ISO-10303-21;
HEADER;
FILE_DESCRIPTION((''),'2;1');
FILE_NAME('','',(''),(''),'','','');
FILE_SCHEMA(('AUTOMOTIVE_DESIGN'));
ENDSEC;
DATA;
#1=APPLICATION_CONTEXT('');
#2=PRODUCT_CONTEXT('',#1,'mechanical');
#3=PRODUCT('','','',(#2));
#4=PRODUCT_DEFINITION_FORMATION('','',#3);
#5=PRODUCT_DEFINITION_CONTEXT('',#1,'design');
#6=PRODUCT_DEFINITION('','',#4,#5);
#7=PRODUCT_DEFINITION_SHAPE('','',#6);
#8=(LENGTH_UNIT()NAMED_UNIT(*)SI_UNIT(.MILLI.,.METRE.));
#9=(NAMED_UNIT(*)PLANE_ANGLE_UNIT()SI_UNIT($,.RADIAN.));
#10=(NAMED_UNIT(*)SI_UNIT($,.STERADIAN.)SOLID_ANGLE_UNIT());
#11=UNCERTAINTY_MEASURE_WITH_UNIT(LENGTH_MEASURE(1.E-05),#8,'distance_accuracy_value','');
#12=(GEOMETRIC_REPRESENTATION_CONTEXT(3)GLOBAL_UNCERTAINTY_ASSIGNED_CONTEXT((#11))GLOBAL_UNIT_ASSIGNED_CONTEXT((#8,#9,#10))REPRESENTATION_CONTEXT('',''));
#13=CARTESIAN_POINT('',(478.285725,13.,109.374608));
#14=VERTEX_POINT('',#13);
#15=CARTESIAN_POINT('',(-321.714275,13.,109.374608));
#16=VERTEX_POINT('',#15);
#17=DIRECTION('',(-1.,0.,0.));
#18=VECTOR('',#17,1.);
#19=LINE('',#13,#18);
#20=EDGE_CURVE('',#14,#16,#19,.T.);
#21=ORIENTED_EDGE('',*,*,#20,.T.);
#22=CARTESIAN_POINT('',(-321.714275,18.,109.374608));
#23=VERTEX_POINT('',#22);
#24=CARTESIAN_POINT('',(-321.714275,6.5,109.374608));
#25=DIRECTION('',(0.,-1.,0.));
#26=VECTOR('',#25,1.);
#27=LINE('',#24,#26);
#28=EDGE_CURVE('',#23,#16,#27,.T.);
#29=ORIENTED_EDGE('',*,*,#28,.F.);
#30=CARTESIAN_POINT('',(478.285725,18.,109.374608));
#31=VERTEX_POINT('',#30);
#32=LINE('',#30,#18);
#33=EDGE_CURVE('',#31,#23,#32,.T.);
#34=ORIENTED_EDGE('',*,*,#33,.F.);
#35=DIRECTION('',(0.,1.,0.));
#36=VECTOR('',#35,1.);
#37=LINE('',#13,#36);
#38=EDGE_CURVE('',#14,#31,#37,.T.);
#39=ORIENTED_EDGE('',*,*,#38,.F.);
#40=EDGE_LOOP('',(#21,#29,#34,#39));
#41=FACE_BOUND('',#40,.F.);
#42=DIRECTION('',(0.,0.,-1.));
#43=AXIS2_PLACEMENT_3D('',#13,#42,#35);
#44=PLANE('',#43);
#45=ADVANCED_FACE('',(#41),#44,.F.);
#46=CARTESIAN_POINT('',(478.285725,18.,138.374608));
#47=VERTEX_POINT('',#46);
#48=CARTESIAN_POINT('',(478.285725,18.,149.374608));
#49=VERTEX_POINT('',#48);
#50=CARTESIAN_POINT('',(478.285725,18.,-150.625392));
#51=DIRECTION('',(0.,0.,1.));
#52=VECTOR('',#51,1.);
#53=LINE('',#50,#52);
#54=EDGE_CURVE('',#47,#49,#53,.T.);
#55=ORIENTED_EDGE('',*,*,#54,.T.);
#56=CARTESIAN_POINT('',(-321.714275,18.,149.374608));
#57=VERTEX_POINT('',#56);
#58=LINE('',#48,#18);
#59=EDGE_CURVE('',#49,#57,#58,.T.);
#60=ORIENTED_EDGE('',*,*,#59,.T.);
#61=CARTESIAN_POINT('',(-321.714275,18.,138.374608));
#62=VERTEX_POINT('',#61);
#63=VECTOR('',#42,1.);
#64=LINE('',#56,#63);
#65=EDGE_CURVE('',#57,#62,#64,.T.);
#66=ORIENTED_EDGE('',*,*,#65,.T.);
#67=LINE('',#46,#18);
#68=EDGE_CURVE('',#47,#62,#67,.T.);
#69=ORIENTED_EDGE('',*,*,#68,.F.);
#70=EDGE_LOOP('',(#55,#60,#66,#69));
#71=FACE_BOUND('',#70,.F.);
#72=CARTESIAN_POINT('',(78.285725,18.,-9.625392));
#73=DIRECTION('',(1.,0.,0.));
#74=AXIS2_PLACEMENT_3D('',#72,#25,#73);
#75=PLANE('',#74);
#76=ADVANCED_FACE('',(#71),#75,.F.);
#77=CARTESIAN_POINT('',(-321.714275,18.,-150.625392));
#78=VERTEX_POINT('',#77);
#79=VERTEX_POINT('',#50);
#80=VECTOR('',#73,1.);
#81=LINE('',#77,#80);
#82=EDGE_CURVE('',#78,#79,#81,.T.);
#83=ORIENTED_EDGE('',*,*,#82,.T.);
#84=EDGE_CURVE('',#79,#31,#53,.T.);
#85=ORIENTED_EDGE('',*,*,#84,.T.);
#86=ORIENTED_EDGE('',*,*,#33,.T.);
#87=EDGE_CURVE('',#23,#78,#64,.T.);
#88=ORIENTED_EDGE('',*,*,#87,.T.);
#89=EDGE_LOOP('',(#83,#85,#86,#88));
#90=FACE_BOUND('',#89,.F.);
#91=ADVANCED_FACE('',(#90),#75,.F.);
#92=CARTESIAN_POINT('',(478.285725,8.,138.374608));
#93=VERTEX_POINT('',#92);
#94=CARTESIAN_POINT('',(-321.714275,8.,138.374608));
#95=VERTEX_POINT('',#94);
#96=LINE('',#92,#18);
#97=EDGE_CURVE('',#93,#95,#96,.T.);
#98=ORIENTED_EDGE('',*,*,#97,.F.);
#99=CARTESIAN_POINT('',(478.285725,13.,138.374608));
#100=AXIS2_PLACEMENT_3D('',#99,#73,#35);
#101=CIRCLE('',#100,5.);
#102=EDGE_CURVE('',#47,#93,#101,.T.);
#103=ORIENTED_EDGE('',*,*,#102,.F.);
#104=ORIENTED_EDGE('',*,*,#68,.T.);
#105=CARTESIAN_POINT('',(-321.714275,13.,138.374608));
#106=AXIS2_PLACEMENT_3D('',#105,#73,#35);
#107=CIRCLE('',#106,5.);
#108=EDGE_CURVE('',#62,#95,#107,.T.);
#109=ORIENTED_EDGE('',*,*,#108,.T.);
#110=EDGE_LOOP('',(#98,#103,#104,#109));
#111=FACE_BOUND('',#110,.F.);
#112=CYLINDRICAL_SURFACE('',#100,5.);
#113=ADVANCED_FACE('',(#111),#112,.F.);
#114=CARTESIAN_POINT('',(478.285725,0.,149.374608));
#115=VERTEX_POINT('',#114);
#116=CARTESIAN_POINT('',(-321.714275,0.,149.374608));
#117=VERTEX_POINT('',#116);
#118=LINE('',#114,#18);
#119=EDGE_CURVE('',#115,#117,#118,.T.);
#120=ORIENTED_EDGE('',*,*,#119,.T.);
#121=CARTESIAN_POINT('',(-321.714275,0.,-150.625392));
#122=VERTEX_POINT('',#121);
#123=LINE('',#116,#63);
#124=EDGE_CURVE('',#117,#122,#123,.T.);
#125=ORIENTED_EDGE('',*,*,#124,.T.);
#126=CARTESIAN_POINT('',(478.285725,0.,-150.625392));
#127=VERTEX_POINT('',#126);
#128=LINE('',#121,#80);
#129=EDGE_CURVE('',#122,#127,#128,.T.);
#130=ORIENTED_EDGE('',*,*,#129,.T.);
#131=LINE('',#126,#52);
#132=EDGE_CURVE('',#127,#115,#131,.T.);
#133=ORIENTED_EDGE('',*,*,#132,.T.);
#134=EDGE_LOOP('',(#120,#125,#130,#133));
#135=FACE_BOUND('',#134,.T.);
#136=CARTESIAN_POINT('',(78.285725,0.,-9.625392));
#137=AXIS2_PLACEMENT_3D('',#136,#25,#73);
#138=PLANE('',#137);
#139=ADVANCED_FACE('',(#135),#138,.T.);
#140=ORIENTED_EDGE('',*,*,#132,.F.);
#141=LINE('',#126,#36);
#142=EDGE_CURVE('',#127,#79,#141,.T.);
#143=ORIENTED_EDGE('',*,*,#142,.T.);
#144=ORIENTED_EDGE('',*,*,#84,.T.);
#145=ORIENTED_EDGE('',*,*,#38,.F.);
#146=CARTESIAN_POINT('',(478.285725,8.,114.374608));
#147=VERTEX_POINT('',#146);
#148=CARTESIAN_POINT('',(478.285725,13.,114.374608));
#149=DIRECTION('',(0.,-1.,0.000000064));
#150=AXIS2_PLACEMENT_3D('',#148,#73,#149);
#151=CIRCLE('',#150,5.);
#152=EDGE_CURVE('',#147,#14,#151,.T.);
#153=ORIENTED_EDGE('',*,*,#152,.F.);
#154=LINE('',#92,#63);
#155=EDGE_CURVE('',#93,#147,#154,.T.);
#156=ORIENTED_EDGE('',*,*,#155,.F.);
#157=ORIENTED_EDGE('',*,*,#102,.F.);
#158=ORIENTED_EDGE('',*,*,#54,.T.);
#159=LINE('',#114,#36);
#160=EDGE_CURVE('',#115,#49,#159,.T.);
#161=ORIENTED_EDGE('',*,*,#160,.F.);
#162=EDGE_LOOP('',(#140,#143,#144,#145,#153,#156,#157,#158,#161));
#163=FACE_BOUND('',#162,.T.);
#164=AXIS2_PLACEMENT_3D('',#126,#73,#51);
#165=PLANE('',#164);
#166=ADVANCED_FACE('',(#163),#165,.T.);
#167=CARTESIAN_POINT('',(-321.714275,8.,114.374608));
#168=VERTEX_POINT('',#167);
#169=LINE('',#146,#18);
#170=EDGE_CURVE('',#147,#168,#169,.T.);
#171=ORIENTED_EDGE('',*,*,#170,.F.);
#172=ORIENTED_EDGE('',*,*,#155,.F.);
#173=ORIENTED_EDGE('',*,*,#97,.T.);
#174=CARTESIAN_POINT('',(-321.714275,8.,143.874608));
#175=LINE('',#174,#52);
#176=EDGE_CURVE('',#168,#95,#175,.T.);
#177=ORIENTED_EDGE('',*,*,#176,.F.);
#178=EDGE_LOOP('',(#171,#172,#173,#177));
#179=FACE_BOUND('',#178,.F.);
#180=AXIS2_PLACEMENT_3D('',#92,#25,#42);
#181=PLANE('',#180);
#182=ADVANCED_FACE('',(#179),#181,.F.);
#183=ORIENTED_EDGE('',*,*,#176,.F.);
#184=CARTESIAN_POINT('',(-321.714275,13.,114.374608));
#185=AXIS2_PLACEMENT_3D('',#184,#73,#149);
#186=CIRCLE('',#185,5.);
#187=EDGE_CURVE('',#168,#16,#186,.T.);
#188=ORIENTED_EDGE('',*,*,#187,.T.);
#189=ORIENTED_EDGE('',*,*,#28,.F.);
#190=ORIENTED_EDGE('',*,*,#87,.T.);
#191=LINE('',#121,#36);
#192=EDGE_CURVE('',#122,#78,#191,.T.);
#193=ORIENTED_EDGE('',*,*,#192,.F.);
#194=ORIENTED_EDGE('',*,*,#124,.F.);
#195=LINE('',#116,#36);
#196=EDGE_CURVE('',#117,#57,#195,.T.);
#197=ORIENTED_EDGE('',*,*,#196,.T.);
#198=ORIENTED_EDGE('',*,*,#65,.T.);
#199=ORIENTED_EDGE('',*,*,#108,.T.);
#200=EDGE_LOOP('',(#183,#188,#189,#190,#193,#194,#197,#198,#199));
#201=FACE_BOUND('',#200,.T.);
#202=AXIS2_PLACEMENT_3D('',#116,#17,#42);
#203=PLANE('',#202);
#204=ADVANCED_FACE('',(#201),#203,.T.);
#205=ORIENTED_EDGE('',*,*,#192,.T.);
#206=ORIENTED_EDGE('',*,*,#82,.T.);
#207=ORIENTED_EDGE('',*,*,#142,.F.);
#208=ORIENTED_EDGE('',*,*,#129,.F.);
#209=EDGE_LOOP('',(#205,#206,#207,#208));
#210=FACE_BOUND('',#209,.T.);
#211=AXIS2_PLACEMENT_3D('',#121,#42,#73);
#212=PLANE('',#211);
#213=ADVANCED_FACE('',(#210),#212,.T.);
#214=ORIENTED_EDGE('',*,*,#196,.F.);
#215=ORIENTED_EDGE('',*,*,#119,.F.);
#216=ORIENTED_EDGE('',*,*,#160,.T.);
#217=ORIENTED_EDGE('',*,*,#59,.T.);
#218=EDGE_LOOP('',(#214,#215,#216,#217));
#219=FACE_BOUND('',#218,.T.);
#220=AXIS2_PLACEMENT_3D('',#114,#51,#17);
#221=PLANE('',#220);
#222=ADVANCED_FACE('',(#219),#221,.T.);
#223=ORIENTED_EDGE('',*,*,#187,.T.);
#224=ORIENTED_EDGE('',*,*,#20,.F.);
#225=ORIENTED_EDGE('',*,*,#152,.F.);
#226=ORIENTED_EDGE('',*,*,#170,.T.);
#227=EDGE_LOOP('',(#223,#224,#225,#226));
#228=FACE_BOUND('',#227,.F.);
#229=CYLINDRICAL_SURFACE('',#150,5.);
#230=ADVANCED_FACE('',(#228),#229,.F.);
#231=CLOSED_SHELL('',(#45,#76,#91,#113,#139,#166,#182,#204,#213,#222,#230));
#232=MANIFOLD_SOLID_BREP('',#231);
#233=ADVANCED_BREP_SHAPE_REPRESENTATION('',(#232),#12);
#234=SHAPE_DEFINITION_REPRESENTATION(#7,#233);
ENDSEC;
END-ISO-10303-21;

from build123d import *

# Parameters (mm, degrees)
F1_DEPTH = 18
F3_DEPTH = 906


with BuildPart() as f1:
    # F0 (on Front) → F1 (new body)
    with BuildSketch(Plane.XZ):
        Polygon((53.285725, 131.374608), (-303.714275, 131.374608), (-303.714275, -87.914374), (-303.714275, -150.625392), (460.285725, -150.625392), (460.285725, 131.374608), align=None)
        Polygon((-303.714275, -87.914374), (-303.714275, 131.374608), (53.285725, 131.374608), (460.285725, 131.374608), (460.285725, -150.625392), (478.285725, -150.625392), (478.285725, 149.374608), (-321.714275, 149.374608), (-321.714275, -150.625392), (-303.714275, -150.625392), align=None)
    extrude(amount=-F1_DEPTH)

    # F2 (on face) → F3 (cut)
    with BuildSketch(Plane.YZ.offset(478.285725)):
        with BuildLine():
            Line((13, 109.374608), (18, 109.374608))
            Line((18, 109.374608), (18, 138.374608))
            ThreePointArc((18, 138.374608), (13, 143.374608), (8, 138.374608))
            Line((8, 138.374608), (8, 114.374608))
            ThreePointArc((8, 114.374608), (9.464466, 110.839074), (13, 109.374608))
        make_face()
    extrude(amount=-F3_DEPTH, mode=Mode.SUBTRACT)


solid = f1.part
